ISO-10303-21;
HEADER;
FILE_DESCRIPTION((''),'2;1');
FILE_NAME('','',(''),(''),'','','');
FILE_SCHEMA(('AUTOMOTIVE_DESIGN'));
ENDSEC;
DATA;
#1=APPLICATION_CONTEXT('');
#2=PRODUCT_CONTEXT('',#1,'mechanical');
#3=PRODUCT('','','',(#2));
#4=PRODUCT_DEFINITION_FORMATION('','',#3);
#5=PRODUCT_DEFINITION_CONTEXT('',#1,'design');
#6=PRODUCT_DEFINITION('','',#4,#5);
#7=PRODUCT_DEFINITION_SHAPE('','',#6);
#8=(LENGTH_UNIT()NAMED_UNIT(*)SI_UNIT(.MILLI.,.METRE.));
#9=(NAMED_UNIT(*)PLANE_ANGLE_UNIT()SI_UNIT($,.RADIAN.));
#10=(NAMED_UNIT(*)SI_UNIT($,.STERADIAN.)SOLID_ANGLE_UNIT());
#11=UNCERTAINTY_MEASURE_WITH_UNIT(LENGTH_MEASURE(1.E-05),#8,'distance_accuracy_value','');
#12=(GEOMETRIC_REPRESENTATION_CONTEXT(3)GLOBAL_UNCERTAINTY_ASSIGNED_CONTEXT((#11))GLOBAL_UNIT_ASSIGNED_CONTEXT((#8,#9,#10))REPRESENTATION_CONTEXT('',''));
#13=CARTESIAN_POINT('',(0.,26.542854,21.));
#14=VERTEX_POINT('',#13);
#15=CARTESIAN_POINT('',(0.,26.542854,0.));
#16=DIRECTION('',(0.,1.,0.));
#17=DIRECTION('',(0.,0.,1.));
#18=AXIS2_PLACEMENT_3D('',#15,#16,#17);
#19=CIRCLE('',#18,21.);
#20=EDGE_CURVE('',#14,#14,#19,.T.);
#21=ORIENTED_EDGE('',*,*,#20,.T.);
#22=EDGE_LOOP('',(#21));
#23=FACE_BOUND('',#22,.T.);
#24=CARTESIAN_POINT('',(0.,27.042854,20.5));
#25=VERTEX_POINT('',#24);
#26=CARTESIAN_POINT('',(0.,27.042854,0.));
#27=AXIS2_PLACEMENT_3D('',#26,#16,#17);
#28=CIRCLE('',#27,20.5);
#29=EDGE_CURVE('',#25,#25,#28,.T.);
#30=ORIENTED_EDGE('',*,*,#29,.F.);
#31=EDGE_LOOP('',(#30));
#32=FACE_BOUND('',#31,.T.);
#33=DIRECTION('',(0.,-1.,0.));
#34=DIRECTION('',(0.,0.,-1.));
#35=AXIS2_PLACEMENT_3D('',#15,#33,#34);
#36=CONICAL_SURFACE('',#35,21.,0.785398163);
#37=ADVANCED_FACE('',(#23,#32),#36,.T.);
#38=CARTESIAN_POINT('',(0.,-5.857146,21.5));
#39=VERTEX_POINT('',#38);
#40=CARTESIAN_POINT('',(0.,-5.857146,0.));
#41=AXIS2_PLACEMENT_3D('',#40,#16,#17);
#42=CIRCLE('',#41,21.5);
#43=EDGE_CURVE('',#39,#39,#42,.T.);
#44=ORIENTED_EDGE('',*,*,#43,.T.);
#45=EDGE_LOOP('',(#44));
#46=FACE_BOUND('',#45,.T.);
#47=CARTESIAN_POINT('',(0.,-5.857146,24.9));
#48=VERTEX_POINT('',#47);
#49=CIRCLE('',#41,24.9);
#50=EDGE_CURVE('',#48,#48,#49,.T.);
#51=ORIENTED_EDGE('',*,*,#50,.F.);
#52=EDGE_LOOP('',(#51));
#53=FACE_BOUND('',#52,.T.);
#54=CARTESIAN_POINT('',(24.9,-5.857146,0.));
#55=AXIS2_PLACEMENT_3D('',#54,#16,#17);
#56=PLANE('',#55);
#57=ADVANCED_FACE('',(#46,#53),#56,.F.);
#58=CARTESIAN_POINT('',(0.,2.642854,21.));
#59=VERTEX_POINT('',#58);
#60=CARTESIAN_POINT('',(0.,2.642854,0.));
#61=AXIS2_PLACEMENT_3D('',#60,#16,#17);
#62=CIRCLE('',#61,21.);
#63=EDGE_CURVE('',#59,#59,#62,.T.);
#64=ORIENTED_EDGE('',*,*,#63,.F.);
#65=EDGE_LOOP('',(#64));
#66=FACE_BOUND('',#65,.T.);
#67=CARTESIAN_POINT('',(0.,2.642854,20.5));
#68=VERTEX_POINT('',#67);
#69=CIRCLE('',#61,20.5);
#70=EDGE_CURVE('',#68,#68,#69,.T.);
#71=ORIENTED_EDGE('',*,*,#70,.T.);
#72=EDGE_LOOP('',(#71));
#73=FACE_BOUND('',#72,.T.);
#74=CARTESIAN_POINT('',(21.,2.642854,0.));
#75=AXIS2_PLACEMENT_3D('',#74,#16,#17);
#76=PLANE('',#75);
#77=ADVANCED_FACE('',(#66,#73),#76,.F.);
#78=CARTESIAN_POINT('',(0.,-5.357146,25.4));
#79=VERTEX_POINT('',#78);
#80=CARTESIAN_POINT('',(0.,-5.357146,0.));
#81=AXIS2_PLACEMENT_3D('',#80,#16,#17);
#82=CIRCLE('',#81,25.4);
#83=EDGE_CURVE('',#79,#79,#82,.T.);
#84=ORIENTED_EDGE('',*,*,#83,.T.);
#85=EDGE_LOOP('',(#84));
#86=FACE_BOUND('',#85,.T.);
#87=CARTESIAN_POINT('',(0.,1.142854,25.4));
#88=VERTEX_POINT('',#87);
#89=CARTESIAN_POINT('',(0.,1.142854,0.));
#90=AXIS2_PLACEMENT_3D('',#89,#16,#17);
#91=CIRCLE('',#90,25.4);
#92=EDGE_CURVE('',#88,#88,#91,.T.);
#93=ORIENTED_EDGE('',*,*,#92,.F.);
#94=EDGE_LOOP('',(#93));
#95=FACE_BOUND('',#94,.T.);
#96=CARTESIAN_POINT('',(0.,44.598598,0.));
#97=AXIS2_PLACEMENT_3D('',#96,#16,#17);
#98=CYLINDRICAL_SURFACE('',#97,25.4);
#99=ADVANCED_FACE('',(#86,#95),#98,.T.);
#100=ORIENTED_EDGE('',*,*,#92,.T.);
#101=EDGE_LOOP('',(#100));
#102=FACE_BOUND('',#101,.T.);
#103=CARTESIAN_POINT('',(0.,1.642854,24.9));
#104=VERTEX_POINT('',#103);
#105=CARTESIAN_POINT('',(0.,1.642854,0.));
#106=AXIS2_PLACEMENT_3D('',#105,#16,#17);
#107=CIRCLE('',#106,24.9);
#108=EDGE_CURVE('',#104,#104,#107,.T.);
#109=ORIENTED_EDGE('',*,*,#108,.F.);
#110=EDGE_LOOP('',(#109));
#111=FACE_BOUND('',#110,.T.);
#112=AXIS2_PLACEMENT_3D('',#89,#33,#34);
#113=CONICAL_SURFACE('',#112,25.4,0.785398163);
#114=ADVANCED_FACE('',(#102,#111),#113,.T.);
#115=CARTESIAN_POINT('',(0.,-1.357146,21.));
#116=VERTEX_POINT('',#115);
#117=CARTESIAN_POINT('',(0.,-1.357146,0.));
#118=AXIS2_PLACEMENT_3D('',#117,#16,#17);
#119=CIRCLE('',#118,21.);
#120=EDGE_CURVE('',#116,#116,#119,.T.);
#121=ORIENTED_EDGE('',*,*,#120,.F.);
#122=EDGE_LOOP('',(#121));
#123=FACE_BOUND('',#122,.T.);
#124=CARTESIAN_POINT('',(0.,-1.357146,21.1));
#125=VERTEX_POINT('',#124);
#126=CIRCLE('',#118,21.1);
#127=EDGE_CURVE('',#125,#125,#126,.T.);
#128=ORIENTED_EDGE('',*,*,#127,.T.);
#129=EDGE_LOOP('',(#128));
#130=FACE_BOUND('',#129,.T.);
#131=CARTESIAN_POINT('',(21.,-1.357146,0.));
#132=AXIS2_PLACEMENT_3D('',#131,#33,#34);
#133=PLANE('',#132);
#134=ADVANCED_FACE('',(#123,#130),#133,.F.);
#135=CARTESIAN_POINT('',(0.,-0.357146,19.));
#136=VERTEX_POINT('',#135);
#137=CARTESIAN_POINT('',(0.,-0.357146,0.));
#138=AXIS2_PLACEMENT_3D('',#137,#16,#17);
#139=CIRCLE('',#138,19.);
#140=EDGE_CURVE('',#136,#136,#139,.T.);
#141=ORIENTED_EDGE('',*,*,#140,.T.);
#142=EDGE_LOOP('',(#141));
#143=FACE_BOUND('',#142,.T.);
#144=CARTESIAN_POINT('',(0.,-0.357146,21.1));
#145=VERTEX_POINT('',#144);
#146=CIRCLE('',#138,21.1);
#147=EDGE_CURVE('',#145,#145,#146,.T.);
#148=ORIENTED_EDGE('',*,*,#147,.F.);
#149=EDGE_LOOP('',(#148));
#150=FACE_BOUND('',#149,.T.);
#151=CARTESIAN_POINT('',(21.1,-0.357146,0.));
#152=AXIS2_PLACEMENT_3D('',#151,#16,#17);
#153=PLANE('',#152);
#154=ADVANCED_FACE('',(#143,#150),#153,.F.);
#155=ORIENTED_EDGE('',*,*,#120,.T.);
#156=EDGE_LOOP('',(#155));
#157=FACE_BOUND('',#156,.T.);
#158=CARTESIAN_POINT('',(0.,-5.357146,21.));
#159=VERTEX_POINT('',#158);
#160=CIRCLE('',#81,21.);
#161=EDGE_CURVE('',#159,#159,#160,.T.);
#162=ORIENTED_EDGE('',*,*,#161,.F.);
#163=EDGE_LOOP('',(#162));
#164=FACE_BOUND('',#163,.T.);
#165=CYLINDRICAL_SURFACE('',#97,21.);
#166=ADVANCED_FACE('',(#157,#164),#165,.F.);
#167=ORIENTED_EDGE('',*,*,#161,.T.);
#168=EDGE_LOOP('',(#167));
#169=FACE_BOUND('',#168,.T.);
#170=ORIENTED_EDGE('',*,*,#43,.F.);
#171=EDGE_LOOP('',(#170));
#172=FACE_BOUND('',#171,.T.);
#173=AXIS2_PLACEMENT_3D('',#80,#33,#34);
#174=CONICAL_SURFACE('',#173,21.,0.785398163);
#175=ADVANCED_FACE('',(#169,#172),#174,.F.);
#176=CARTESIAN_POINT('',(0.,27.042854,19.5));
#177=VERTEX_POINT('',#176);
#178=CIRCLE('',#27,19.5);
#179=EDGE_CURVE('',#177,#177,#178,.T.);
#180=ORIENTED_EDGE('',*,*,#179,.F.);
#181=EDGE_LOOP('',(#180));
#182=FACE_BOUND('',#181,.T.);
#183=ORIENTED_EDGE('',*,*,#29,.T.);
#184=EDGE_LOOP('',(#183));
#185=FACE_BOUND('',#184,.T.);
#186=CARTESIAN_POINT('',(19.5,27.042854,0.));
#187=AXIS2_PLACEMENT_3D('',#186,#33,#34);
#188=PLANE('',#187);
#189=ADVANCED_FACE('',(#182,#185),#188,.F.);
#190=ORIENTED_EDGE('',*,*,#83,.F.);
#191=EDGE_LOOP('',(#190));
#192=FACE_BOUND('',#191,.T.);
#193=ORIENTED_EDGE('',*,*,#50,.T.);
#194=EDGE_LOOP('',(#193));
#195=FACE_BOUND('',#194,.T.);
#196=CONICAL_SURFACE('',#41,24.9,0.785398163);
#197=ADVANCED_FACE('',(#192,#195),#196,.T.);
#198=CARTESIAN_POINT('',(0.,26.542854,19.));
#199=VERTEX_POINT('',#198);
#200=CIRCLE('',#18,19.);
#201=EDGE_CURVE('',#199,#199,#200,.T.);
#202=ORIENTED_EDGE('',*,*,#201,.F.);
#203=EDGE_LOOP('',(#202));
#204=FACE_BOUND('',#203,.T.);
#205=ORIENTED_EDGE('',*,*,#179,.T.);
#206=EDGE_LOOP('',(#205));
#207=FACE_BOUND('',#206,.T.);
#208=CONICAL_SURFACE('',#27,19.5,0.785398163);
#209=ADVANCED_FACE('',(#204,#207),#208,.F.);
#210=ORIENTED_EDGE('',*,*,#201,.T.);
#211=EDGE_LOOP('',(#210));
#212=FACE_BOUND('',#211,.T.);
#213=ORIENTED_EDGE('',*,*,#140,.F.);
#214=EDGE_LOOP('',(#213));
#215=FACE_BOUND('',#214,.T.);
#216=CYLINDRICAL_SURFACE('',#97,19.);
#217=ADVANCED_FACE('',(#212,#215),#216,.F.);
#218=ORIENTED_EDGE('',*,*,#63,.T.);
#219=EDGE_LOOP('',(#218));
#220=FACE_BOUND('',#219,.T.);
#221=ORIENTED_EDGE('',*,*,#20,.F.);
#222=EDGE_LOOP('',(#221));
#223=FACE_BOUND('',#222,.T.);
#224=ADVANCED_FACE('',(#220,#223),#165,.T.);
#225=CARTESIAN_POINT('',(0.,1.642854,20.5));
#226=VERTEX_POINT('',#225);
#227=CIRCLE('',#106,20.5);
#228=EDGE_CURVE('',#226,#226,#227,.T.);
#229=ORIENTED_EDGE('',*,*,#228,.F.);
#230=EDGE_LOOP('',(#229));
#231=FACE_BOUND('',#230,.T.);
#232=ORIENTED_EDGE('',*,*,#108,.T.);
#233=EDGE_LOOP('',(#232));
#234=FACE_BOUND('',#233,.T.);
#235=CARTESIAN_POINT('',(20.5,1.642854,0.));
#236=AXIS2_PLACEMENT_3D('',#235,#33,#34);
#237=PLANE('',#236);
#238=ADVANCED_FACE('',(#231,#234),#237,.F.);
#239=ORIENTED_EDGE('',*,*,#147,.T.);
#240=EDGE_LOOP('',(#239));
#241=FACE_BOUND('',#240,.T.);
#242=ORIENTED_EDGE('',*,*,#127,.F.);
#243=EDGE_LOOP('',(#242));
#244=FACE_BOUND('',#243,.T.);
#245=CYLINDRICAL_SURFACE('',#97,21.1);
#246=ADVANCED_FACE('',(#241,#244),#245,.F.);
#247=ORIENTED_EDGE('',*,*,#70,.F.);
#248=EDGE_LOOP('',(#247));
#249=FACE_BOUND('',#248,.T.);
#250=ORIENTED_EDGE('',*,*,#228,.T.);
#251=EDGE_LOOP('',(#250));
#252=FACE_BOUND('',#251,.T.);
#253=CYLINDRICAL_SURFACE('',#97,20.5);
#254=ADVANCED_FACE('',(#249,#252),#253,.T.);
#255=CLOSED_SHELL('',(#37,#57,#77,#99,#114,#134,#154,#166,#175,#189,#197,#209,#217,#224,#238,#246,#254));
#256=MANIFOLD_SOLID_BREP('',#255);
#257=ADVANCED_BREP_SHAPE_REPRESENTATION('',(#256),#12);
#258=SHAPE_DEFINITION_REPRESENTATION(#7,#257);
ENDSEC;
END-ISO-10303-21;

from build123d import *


with BuildPart() as part:
    # 草图1 → 旋转2 (revolve)
    with BuildSketch(Plane.XY, mode=Mode.PRIVATE) as revolve_2_sk:
        Polygon((19.5, 27.042854175), (20.5, 27.042854175), (21, 26.542854175), (21, 2.642854175), (20.5, 2.642854175), (20.5, 1.642854175), (24.9, 1.642854175), (25.4, 1.142854175), (25.4, -5.357145825), (24.9, -5.857145825), (21.5, -5.857145825), (21, -5.357145825), (21, -1.357145825), (21.1, -1.357145825), (21.1, -0.357145825), (19, -0.357145825), (19, 26.542854175), align=None)
    revolve(revolve_2_sk.sketch.rotate(Axis((0, 44.598597745, 0), (0, -1, 0)), 90), axis=Axis((0, 44.598597745, 0), (0, -1, 0)))  # turned: the seam where the file's is


solid = part.part
